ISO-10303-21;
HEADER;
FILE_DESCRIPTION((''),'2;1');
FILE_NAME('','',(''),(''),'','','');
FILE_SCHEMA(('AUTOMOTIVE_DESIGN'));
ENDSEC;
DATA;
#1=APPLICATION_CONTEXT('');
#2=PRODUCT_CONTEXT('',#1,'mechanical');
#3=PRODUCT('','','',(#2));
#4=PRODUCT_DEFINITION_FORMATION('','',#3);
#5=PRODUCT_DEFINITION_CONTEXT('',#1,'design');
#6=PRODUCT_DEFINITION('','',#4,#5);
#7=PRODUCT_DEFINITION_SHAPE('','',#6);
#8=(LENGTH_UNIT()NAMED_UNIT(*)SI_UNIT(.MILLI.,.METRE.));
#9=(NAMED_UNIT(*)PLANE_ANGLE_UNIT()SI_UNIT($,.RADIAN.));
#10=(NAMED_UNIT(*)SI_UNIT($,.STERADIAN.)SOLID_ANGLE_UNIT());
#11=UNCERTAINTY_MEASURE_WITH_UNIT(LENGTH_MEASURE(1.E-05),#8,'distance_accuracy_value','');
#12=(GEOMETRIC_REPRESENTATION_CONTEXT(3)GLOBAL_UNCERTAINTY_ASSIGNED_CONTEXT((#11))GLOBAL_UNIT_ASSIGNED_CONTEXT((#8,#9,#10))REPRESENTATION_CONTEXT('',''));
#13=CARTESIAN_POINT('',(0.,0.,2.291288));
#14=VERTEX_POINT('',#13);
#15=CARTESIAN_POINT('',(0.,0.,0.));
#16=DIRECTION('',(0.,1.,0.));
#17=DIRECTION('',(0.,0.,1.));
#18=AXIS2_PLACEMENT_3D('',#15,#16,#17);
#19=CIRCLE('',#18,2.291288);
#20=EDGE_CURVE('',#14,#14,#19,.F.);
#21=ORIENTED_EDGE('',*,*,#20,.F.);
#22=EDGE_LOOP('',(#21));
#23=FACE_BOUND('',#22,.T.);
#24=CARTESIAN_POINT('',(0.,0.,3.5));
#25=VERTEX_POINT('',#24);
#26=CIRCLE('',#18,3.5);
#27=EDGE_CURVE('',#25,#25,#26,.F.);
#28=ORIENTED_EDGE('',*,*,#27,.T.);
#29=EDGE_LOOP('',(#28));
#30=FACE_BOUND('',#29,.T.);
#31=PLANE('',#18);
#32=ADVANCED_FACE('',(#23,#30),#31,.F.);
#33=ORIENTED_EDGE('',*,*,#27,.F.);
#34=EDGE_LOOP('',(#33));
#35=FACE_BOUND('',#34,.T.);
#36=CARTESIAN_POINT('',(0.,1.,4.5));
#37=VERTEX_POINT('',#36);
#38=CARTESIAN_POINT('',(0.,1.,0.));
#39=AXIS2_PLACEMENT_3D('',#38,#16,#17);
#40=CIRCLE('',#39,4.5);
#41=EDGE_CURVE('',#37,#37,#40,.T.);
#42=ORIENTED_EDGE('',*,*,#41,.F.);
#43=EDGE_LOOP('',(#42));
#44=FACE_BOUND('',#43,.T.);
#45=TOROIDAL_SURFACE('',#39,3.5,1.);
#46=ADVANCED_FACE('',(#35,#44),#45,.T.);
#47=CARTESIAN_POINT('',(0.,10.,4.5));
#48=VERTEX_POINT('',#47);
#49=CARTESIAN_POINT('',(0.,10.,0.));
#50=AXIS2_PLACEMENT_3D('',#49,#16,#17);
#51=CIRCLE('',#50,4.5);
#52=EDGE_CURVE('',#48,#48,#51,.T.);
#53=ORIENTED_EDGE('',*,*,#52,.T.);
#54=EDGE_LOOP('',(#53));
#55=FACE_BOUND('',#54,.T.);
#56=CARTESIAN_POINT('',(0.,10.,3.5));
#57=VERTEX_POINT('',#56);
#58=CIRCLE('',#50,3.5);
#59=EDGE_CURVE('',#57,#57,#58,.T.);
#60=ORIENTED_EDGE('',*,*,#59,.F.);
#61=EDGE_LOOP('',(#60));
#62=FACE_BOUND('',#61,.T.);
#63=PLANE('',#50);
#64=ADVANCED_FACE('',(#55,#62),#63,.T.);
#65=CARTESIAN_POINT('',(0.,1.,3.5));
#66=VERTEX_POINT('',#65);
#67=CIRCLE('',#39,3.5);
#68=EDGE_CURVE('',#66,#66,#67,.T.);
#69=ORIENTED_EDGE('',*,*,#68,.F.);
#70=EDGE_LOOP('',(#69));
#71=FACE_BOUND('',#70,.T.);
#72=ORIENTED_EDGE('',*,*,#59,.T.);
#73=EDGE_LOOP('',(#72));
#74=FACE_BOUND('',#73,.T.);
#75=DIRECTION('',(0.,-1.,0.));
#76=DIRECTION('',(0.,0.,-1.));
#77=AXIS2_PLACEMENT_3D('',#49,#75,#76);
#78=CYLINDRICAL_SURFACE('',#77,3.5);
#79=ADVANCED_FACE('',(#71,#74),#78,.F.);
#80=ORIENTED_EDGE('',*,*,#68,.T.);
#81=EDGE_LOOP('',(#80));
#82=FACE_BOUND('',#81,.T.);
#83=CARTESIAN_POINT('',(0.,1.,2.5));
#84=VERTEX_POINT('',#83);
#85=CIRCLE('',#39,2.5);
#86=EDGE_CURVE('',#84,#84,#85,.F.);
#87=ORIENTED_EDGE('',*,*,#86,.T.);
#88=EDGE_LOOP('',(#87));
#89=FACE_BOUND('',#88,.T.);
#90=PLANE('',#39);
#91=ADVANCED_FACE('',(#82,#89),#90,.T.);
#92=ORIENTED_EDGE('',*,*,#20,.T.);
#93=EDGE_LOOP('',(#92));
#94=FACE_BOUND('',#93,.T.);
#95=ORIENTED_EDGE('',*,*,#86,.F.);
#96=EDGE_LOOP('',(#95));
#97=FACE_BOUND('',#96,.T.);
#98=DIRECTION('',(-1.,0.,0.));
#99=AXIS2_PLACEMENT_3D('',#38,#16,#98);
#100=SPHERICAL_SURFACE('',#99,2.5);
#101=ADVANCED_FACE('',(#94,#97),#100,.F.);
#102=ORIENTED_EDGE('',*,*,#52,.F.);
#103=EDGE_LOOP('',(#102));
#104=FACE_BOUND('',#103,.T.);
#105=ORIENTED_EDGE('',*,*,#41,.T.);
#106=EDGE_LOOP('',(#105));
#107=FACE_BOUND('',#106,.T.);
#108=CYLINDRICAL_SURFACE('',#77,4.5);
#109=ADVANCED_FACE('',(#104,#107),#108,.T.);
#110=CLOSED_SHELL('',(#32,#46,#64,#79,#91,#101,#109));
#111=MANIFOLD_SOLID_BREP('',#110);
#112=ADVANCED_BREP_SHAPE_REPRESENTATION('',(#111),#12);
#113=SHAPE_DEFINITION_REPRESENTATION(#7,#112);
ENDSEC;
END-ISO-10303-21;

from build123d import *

# Parameters (mm, degrees)
SKETCH1_R           = 4.5
BOSS_EXTRUDE1_DEPTH = 10
SHELL1_T            = -1
FILLET1_R           = 1


with BuildPart() as part:
    # Sketch1 → Boss-Extrude1 (new body)
    with BuildSketch(Plane(origin=(0, 0, 0), x_dir=(1, 0, 0), z_dir=(0, 1, 0))):
        with Locations(Location((0, 0, 0), (0, 0, 270))):
            Circle(SKETCH1_R)
    extrude(amount=BOSS_EXTRUDE1_DEPTH)

    # Shell1
    shell1_openings = [part.faces().sort_by_distance(p)[0] for p in [
        (0, 10, 0),
    ]]
    offset(amount=SHELL1_T, openings=shell1_openings, kind=Kind.INTERSECTION)

    # Sketch4 → Cut-Revolve1 (revolve, cut)
    with BuildSketch(Plane.XY):
        with BuildLine():
            Line((0, 3.5), (0, -1.5))
            ThreePointArc((0, -1.5), (2.5, 1), (0, 3.5))
        make_face()
    revolve(axis=Axis((0, 3.5, 0), (0, -1, 0)), mode=Mode.SUBTRACT)

    # Fillet1
    fillet1_edges = [part.edges().sort_by_distance(p)[0] for p in [
        (0, 0, -4.5),
    ]]
    fillet(fillet1_edges, radius=FILLET1_R)


solid = part.part
